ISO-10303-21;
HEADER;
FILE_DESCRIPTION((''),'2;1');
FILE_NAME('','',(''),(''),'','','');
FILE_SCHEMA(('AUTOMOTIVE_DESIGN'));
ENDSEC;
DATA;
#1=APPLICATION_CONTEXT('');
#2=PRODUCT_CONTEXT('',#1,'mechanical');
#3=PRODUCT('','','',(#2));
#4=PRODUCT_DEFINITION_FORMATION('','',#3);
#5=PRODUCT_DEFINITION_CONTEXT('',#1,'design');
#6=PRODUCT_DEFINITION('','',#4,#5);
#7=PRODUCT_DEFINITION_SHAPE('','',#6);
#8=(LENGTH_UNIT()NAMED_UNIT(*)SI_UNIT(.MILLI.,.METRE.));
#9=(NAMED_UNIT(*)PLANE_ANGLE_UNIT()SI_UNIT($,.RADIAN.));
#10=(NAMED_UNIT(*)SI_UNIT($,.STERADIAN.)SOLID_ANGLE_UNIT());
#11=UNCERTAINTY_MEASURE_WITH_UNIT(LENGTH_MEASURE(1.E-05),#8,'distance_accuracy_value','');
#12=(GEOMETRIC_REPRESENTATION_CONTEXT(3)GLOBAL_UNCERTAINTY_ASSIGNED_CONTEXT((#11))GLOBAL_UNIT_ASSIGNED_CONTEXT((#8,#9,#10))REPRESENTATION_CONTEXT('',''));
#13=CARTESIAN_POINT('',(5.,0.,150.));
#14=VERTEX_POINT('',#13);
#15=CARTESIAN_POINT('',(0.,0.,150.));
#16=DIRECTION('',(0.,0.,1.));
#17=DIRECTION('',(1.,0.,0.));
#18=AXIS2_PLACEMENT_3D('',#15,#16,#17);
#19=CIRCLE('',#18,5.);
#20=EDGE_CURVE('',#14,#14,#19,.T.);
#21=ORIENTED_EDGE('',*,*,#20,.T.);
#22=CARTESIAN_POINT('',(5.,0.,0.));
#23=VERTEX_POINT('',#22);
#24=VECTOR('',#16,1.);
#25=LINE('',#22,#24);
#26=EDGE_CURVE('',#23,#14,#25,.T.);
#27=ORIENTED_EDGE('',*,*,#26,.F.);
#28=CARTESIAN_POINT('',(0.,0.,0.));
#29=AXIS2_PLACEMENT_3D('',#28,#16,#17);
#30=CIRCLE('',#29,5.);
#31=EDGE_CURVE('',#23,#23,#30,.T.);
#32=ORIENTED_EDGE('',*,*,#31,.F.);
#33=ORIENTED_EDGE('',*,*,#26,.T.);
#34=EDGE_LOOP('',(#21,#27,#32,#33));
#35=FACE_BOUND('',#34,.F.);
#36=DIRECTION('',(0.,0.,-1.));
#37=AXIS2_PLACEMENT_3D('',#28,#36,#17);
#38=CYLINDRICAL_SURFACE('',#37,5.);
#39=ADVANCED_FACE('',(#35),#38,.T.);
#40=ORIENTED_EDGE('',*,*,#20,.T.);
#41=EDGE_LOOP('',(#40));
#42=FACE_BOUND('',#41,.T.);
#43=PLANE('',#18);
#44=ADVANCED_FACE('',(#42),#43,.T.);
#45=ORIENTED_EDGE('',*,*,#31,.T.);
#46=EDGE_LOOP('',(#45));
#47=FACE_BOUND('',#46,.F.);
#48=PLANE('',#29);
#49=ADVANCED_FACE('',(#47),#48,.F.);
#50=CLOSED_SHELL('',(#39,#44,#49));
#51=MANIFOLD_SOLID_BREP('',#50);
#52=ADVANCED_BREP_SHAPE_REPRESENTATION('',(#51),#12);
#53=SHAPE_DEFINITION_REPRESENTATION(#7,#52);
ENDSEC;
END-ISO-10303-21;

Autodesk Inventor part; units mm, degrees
ref_plane "YZ Plane" through (0, 0, 0) normal (1, 0, 0) x (0, 1, 0)
ref_plane "XZ Plane" through (0, 0, 0) normal (0, 1, 0) x (-1, 0, 0)
ref_plane "XY Plane" through (0, 0, 0) normal (0, 0, 1) x (1, 0, 0)
sketch "Sketch1" plane through (0, 0, 0) normal (0, 0, 1) x (1, 0, 0)
  circle A0 centre (0, 0) radius 5
  dimension "d0" = 10
extrude "Extrusion1" add sketch "Sketch1" along normal blind 150
thread "Thread1" size "M10x1.5" class "6g" standard "ANSI Metric M Profile" full length
properties part number "BOLT" material "Stainless Steel"
